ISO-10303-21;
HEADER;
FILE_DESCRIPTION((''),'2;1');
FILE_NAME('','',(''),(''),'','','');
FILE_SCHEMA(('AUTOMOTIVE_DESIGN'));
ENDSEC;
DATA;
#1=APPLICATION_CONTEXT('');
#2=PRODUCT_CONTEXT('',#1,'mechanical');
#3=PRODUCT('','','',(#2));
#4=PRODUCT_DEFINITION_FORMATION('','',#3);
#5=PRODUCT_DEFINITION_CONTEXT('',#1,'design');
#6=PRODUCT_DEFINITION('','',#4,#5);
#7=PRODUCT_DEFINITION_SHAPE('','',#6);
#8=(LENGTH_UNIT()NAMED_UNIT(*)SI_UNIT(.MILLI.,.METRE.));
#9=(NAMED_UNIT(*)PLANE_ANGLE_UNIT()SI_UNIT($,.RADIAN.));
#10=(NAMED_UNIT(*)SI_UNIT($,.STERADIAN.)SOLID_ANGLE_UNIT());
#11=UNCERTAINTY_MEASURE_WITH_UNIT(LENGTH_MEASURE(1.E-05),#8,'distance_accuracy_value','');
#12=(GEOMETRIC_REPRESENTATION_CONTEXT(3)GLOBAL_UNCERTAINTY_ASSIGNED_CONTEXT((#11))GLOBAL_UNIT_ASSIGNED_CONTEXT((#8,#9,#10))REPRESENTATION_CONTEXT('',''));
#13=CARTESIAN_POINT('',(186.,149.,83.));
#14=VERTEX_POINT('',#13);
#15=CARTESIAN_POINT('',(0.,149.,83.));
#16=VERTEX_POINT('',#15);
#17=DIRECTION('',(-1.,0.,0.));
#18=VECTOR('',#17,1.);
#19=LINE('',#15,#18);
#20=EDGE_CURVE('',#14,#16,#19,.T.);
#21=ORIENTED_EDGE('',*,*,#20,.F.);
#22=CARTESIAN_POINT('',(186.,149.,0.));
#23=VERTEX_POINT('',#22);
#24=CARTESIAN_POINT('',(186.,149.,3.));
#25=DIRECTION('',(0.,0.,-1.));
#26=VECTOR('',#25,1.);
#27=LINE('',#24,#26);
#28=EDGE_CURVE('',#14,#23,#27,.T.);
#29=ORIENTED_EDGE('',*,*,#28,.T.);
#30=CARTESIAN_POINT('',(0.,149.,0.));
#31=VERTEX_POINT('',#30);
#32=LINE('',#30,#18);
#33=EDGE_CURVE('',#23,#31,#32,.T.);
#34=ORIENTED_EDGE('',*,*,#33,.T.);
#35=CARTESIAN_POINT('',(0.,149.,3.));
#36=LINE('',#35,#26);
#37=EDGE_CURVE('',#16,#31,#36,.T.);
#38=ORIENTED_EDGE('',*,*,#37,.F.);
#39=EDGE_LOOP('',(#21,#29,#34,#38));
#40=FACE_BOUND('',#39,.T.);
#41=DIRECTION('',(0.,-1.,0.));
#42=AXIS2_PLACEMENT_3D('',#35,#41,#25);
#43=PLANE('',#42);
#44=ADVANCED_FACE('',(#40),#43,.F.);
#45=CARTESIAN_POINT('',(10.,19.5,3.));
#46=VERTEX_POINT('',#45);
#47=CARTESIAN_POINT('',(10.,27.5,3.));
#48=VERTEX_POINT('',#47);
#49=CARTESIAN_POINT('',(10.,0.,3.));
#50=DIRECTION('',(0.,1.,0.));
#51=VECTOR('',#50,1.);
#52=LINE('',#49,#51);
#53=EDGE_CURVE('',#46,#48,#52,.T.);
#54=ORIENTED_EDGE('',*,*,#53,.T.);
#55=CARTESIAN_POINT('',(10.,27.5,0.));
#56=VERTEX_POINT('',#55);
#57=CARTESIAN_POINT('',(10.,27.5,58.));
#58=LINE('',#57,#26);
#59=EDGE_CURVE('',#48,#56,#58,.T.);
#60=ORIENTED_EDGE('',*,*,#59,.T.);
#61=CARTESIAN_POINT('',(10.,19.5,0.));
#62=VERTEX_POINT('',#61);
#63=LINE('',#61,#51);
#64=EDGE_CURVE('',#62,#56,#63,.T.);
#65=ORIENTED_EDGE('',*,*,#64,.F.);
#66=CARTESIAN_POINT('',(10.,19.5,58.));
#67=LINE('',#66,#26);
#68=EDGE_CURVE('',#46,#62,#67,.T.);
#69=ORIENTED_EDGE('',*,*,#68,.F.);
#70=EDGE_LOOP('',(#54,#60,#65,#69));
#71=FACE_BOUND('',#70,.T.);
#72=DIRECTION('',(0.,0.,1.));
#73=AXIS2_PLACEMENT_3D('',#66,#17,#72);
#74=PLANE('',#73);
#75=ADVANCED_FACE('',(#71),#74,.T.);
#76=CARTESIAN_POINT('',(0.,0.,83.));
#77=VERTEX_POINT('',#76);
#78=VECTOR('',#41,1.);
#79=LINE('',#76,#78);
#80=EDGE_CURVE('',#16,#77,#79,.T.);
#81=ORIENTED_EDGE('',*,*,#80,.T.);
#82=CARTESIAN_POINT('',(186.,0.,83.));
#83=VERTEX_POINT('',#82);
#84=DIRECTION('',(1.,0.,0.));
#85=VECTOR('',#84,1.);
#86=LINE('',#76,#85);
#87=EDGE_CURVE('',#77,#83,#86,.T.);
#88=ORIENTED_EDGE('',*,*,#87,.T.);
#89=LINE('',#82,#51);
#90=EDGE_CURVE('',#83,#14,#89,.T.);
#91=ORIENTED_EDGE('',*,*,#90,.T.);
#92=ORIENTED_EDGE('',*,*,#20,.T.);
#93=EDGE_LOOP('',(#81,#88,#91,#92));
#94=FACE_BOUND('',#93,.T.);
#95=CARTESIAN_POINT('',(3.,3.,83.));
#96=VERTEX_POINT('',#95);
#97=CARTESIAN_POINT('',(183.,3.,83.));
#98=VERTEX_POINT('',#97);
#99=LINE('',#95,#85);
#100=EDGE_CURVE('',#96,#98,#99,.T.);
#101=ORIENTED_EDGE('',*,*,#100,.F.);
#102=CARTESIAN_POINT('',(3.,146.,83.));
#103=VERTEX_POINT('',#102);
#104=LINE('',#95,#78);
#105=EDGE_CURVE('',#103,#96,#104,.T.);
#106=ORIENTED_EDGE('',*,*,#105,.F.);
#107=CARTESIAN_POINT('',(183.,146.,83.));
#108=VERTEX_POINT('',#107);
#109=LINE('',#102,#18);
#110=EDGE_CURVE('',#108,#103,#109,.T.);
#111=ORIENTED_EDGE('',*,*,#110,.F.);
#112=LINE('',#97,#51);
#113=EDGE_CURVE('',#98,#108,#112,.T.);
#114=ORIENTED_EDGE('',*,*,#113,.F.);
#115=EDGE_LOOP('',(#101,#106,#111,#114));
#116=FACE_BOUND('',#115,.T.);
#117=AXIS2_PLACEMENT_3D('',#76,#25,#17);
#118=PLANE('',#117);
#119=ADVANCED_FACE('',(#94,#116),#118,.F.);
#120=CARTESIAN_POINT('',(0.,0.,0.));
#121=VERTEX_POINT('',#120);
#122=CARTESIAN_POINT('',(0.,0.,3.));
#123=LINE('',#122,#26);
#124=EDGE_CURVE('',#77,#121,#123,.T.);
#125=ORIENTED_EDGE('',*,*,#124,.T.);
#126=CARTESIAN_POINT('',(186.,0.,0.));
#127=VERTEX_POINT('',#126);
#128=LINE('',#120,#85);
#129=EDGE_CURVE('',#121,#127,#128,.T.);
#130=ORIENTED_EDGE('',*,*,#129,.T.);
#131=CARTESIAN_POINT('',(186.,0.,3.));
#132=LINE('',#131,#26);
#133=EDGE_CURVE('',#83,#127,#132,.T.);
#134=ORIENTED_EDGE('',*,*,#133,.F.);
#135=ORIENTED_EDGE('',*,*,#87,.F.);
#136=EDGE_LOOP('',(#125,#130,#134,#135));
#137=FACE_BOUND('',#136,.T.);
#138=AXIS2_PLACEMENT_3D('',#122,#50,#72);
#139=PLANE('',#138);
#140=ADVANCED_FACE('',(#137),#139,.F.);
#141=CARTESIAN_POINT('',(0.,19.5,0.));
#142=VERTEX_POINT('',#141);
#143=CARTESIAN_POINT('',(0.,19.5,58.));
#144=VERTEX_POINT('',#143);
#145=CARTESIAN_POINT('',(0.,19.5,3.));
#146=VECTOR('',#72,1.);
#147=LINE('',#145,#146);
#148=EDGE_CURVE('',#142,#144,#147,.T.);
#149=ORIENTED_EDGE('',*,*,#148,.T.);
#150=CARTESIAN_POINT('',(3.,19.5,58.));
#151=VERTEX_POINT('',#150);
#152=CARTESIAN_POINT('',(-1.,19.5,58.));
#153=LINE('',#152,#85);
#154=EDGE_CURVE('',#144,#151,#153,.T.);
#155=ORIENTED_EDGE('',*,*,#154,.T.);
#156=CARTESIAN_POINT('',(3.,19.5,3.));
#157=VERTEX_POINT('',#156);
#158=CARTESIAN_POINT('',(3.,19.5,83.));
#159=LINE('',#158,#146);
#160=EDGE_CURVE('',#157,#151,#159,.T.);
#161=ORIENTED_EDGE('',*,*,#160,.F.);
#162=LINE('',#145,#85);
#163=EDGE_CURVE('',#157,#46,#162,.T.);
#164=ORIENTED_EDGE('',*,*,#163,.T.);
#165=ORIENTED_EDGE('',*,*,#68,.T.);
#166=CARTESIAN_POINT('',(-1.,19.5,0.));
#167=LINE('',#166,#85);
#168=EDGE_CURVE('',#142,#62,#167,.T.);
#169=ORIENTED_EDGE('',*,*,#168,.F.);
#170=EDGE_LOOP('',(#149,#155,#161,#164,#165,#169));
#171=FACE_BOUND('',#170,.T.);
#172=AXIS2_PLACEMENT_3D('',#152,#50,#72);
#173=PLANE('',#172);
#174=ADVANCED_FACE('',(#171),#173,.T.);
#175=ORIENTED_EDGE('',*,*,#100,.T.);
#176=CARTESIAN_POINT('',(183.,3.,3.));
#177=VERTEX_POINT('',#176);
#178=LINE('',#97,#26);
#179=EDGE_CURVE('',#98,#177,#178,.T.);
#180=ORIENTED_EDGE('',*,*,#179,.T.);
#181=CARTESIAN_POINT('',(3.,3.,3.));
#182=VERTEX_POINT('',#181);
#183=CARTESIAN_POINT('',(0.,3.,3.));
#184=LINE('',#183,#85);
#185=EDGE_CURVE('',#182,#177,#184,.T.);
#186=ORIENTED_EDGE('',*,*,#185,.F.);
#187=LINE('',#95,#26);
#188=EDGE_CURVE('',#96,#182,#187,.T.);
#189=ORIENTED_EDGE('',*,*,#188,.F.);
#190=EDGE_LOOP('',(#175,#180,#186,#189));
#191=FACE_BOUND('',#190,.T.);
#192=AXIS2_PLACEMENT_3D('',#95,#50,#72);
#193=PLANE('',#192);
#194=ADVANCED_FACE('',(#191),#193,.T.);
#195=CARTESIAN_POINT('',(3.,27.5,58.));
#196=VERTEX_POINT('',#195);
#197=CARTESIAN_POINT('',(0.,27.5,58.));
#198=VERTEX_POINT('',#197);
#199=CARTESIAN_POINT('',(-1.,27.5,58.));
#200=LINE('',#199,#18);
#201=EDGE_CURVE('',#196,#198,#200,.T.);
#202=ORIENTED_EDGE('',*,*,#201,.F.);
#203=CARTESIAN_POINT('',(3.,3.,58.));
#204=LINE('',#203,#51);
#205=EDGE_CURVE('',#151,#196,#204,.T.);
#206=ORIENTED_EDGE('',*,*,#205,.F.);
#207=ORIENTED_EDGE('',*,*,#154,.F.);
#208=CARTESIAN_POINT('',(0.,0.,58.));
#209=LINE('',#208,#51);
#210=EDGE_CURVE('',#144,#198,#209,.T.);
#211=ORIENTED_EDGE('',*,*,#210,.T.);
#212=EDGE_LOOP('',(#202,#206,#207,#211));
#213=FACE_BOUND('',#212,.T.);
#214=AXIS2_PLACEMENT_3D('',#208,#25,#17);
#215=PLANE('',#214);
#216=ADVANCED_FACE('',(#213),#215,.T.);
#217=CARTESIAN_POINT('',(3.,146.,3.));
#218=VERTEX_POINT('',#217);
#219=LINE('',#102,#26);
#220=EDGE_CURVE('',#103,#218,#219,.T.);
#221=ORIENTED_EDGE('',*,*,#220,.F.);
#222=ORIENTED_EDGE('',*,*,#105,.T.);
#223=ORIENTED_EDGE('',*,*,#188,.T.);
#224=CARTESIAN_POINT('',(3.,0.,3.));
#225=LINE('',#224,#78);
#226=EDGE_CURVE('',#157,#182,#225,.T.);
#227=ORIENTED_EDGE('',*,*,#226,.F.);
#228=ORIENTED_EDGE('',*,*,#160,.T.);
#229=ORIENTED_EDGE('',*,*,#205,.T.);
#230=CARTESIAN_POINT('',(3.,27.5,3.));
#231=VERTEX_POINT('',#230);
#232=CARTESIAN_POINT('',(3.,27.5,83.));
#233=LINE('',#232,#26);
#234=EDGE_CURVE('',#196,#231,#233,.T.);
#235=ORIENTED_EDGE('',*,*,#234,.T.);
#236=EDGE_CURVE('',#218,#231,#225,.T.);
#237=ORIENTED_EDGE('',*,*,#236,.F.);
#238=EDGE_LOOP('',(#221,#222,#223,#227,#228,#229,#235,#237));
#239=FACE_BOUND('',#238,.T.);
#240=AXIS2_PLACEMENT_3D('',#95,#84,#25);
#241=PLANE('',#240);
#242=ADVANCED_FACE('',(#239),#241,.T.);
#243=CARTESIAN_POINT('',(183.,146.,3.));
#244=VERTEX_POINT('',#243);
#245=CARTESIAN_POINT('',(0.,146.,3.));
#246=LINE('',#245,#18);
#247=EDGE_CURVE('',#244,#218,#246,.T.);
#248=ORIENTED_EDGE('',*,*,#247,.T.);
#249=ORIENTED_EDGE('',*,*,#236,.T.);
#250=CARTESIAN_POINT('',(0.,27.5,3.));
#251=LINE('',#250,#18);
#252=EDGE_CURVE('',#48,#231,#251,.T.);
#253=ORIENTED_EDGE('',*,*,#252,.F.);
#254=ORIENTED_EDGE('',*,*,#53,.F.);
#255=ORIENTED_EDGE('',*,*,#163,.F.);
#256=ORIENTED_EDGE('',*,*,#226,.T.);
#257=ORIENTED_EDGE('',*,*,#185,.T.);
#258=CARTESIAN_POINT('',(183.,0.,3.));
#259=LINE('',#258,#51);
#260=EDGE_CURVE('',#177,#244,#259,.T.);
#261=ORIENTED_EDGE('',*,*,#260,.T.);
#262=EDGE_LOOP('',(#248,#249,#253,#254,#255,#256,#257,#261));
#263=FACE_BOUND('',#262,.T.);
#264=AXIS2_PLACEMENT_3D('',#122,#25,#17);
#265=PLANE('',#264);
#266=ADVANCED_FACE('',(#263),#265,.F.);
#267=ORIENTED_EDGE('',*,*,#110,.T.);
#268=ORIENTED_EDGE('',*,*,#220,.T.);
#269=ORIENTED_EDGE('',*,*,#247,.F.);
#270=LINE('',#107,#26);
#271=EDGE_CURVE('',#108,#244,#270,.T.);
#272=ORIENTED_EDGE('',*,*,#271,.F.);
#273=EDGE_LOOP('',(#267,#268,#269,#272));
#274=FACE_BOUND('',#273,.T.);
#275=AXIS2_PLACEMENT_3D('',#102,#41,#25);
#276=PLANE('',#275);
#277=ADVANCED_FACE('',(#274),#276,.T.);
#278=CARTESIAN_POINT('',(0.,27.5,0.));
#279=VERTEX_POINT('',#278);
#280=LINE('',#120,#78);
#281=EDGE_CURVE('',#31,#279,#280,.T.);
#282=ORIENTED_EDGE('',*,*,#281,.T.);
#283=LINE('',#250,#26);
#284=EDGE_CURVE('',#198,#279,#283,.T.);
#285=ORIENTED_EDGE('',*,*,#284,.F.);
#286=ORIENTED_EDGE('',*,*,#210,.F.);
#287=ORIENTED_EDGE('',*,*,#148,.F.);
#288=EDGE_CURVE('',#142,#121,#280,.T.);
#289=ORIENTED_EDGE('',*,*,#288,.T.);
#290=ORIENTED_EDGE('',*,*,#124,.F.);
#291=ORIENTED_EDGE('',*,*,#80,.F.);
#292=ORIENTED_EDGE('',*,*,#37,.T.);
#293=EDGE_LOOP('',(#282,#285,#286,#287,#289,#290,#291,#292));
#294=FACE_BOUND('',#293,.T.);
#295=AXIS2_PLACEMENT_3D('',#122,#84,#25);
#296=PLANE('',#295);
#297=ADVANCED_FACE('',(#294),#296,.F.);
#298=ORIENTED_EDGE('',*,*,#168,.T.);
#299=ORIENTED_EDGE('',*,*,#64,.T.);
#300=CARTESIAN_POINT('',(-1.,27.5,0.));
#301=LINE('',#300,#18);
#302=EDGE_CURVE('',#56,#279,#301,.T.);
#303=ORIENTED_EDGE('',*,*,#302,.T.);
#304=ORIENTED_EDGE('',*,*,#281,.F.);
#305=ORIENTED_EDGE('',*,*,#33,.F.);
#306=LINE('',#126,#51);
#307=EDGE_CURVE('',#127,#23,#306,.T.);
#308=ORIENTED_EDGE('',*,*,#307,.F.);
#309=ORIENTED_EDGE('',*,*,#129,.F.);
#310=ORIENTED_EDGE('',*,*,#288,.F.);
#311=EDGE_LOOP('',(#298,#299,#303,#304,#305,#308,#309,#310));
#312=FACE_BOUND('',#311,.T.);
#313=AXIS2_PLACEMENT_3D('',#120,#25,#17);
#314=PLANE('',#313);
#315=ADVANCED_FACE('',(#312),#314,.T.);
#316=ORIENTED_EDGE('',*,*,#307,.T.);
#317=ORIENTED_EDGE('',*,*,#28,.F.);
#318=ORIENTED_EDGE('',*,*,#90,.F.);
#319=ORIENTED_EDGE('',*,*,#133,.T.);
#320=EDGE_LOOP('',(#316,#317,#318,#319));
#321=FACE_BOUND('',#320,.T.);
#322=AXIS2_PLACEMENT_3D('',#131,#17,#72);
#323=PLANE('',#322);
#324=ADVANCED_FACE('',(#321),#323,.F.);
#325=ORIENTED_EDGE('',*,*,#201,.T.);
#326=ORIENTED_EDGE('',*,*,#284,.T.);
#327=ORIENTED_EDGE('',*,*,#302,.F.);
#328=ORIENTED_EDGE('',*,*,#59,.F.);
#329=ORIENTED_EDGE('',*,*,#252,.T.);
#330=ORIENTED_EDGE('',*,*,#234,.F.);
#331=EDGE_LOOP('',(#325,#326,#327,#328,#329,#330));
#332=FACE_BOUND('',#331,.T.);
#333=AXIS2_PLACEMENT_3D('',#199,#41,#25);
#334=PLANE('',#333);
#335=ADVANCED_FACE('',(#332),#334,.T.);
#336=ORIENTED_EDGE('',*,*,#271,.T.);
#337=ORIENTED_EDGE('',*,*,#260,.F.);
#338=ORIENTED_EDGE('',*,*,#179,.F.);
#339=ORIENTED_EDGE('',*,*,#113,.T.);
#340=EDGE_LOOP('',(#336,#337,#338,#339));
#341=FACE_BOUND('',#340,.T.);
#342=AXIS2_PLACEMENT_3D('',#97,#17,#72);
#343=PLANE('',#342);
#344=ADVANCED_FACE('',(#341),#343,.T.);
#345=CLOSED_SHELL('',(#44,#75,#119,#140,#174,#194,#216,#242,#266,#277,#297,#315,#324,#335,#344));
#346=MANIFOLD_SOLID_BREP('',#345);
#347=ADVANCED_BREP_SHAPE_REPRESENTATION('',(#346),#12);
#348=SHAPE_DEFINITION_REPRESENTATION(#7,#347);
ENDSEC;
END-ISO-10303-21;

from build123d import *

# Parameters (mm, degrees)
SKETCH_1_W                      = 186
SKETCH_1_H                      = 149
FLOOR_T3_DEPTH                  = 3
SKETCH_2_W                      = 186
SKETCH_2_H                      = 149
SKETCH_2_W_2                    = 180
SKETCH_2_H_2                    = 143
WALLS_T3_DEPTH80_DEPTH          = 83
SKETCH_3_W                      = 11
SKETCH_3_H                      = 8
SERVO_STAND_RELIEF_W8_H58_DEPTH = 58


with BuildPart() as part:
    # 草图1 → Floor_T3 (new body)
    with BuildSketch(Plane.XY):
        with Locations((93, 74.5)):
            Rectangle(SKETCH_1_W, SKETCH_1_H)
    extrude(amount=FLOOR_T3_DEPTH)

    # 草图2 → Walls_T3_depth80 (add)
    with BuildSketch(Plane.XY):
        with Locations((93, 74.5)):
            Rectangle(SKETCH_2_W, SKETCH_2_H)
        with Locations((93, 74.5)):
            Rectangle(SKETCH_2_W_2, SKETCH_2_H_2, mode=Mode.SUBTRACT)
    extrude(amount=WALLS_T3_DEPTH80_DEPTH)

    # 草图3 → Servo_stand_relief_W8_H58 (cut)
    with BuildSketch(Plane.XY):
        with Locations((4.5, 23.5)):
            Rectangle(SKETCH_3_W, SKETCH_3_H)
    extrude(amount=SERVO_STAND_RELIEF_W8_H58_DEPTH, mode=Mode.SUBTRACT)


solid = part.part
